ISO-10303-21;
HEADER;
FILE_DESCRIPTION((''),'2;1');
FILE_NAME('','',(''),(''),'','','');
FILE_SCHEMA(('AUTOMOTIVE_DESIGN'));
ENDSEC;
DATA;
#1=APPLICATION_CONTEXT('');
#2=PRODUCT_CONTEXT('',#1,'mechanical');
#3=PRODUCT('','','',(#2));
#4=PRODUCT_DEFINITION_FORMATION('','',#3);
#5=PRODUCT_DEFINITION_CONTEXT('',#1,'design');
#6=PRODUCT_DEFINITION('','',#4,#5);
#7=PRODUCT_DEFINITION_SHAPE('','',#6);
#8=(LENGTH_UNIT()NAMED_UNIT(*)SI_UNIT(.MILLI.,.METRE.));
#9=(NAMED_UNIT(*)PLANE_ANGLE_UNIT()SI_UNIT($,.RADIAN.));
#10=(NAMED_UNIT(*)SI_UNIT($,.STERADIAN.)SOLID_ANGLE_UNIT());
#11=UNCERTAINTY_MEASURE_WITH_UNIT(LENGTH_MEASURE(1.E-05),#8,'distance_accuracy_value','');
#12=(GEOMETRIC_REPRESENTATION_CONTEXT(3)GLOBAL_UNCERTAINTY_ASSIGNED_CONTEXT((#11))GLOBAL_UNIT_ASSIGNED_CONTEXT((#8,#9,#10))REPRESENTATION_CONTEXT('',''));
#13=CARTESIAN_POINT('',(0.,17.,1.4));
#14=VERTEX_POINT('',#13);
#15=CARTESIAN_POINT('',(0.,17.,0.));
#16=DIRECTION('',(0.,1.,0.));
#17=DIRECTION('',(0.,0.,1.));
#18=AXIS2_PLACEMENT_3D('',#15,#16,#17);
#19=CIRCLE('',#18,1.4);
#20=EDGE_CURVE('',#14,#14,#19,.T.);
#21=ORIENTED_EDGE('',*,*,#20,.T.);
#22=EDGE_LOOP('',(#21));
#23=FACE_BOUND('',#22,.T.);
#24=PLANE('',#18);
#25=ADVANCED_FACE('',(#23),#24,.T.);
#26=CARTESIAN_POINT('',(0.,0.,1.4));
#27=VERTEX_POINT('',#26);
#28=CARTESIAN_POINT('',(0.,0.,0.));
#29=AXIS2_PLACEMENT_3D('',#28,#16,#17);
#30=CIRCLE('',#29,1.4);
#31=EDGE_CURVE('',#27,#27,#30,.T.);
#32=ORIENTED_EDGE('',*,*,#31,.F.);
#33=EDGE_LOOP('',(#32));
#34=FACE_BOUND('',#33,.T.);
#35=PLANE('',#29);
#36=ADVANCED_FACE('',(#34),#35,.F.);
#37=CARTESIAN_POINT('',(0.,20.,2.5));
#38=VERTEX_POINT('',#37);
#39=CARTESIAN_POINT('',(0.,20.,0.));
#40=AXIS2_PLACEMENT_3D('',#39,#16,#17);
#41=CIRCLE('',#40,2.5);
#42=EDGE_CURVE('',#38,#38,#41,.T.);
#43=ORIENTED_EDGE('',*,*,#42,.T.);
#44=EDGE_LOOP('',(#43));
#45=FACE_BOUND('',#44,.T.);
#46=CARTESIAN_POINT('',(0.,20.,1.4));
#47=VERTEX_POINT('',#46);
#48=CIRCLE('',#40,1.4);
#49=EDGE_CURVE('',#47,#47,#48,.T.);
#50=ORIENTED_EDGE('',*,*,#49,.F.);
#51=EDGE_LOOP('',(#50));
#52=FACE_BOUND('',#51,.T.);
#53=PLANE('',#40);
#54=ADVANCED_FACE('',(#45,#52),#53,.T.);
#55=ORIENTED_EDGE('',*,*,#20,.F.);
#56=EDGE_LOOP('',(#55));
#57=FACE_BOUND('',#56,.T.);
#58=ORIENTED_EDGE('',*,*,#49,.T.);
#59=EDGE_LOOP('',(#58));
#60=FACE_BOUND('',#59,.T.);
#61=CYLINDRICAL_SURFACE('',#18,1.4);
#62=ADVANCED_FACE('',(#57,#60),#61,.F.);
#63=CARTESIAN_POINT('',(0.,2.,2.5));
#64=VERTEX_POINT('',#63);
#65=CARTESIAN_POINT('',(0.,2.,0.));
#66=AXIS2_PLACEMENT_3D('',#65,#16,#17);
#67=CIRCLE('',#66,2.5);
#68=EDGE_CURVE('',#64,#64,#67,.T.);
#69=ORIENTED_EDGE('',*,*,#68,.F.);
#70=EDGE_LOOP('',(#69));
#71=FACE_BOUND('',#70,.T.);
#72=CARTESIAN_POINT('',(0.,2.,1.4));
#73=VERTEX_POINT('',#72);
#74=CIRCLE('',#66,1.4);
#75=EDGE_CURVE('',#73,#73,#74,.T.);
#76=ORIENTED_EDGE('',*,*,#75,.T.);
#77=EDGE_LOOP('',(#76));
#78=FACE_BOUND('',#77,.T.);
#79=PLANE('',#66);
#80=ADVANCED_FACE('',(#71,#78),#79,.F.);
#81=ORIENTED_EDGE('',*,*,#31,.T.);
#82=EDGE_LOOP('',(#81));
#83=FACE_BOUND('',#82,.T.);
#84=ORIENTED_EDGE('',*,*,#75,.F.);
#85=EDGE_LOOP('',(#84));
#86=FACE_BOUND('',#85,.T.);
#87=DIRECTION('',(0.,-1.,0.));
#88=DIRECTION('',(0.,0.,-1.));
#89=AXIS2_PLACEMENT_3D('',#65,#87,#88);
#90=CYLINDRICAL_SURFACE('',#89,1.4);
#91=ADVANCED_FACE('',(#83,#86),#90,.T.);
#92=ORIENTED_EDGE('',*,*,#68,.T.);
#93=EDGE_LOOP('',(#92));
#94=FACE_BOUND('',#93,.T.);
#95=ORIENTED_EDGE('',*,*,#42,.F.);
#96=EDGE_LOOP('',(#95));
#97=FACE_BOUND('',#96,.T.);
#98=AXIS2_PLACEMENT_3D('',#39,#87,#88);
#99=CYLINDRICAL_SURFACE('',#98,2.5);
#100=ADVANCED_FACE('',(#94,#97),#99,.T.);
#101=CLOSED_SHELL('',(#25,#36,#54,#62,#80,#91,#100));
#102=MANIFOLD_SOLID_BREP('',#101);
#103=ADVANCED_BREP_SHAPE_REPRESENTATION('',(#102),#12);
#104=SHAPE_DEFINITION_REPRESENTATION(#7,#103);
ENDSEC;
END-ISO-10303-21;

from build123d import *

# Parameters (mm, degrees)
SKETCH_1_R          = 1.4
EXTRUDE_1_DEPTH     = 2
SKETCH_2_R          = 2.5
EXTRUDE_2_DEPTH     = 18
CUT_EXTRUDE_START   = -3
SKETCH_3_R          = 1.4
CUT_EXTRUDE_1_DEPTH = 3


with BuildPart() as part:
    # 草图1 → 凸台-拉伸1 (new body)
    with BuildSketch(Plane(origin=(0, 0, 0), x_dir=(1, 0, 0), z_dir=(0, 1, 0))):
        with Locations(Location((0, 0, 0), (0, 0, 270))):
            Circle(SKETCH_1_R)
    extrude(amount=EXTRUDE_1_DEPTH)

    # 草图2 → 凸台-拉伸2 (add)
    with BuildSketch(Plane(origin=(0, 2, 0), x_dir=(1, 0, 0), z_dir=(0, 1, 0))):
        with Locations(Location((0, 0, 0), (0, 0, 270))):
            Circle(SKETCH_2_R)
    extrude(amount=EXTRUDE_2_DEPTH)

    # 草图3 → 切除-拉伸1 (cut)
    with BuildSketch(Plane(origin=(0, 20, 0), x_dir=(1, 0, 0), z_dir=(0, 1, 0)).offset(CUT_EXTRUDE_START)):
        with Locations(Location((0, 0, 0), (0, 0, 270))):
            Circle(SKETCH_3_R)
    extrude(amount=CUT_EXTRUDE_1_DEPTH, mode=Mode.SUBTRACT)


solid = part.part
